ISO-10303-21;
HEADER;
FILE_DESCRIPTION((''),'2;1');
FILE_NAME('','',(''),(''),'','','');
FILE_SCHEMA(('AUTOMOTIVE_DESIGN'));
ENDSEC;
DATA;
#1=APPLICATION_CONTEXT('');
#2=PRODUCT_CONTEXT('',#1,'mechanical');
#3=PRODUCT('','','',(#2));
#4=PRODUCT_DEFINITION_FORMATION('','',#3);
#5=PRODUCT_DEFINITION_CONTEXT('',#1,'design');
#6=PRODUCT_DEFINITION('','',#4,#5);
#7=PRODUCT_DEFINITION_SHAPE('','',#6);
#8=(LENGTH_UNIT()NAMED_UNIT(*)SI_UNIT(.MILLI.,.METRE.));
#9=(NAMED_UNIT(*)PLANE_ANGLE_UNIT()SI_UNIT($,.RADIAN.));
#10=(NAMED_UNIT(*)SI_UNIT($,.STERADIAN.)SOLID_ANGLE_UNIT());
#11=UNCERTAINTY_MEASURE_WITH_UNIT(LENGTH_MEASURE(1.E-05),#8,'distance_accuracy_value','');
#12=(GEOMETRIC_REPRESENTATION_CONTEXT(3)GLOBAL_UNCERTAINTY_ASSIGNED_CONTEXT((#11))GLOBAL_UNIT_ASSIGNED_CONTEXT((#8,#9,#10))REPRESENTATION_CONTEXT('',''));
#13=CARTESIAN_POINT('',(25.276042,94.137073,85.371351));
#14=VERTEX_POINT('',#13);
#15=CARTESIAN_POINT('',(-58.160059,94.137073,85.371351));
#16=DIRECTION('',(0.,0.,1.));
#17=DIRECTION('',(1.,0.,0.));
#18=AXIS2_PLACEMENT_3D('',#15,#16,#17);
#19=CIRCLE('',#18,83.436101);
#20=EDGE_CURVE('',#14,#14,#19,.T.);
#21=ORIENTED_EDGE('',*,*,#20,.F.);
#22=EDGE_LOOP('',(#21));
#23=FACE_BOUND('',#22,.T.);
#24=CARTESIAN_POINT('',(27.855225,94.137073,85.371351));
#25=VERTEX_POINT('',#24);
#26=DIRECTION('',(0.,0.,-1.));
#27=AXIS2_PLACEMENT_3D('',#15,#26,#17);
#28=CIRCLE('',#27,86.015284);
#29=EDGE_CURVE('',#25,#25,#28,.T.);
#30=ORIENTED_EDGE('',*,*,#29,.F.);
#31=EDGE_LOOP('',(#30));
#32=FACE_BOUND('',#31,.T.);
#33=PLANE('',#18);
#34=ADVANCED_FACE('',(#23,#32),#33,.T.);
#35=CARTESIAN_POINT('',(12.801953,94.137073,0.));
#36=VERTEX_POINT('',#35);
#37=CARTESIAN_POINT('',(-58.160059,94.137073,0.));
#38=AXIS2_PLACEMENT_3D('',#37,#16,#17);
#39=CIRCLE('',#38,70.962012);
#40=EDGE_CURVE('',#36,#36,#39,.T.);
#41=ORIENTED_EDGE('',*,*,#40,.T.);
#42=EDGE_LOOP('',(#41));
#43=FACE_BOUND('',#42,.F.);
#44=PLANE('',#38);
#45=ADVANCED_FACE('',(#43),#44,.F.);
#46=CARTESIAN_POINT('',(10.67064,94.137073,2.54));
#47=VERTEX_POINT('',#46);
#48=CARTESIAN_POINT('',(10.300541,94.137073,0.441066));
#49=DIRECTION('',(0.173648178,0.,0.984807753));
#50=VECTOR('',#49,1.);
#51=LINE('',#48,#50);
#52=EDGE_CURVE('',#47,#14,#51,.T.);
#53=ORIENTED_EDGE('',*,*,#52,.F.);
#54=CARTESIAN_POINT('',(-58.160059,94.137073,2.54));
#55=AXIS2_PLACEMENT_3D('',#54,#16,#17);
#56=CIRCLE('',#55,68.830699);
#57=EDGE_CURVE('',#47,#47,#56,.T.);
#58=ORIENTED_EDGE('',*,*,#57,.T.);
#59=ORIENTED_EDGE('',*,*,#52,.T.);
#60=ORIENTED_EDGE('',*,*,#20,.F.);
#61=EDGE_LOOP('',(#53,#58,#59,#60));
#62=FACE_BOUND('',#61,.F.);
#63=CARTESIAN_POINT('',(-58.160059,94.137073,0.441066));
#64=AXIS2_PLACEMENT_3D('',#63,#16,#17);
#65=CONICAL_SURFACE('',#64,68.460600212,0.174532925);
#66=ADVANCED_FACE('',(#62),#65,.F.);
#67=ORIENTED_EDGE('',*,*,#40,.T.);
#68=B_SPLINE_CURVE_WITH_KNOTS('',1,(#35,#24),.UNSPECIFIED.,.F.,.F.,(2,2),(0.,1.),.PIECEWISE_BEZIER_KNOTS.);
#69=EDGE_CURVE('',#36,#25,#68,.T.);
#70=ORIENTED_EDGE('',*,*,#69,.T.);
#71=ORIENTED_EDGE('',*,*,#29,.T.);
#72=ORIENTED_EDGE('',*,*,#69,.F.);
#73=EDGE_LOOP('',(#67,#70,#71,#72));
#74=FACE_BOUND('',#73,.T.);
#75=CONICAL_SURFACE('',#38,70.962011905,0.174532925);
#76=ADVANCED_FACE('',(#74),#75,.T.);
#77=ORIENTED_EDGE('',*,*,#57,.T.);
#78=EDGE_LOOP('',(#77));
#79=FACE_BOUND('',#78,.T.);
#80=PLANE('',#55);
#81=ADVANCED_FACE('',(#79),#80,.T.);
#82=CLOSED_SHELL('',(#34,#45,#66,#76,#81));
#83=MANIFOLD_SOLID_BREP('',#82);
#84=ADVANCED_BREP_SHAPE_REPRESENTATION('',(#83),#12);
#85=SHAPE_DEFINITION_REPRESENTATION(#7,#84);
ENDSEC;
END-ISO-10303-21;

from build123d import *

# Parameters (mm, degrees)
F0_R     = 70.9620119047
F1_DEPTH = 85.3713508695
F1_TAPER = -10
F2_T     = -2.54


with BuildPart() as f1:
    # F0 (on Top) → F1 (new body)
    with BuildSketch(Plane.XY):
        with Locations((-58.160059154, 94.1370725632)):
            Circle(F0_R)
    extrude(amount=F1_DEPTH, taper=F1_TAPER)

    # F2
    f2_openings = [f1.faces().sort_by_distance(p)[0] for p in [
        (-58.160059, 94.137073, 85.371351),
    ]]
    offset(amount=F2_T, openings=f2_openings, kind=Kind.INTERSECTION)


solid = f1.part
